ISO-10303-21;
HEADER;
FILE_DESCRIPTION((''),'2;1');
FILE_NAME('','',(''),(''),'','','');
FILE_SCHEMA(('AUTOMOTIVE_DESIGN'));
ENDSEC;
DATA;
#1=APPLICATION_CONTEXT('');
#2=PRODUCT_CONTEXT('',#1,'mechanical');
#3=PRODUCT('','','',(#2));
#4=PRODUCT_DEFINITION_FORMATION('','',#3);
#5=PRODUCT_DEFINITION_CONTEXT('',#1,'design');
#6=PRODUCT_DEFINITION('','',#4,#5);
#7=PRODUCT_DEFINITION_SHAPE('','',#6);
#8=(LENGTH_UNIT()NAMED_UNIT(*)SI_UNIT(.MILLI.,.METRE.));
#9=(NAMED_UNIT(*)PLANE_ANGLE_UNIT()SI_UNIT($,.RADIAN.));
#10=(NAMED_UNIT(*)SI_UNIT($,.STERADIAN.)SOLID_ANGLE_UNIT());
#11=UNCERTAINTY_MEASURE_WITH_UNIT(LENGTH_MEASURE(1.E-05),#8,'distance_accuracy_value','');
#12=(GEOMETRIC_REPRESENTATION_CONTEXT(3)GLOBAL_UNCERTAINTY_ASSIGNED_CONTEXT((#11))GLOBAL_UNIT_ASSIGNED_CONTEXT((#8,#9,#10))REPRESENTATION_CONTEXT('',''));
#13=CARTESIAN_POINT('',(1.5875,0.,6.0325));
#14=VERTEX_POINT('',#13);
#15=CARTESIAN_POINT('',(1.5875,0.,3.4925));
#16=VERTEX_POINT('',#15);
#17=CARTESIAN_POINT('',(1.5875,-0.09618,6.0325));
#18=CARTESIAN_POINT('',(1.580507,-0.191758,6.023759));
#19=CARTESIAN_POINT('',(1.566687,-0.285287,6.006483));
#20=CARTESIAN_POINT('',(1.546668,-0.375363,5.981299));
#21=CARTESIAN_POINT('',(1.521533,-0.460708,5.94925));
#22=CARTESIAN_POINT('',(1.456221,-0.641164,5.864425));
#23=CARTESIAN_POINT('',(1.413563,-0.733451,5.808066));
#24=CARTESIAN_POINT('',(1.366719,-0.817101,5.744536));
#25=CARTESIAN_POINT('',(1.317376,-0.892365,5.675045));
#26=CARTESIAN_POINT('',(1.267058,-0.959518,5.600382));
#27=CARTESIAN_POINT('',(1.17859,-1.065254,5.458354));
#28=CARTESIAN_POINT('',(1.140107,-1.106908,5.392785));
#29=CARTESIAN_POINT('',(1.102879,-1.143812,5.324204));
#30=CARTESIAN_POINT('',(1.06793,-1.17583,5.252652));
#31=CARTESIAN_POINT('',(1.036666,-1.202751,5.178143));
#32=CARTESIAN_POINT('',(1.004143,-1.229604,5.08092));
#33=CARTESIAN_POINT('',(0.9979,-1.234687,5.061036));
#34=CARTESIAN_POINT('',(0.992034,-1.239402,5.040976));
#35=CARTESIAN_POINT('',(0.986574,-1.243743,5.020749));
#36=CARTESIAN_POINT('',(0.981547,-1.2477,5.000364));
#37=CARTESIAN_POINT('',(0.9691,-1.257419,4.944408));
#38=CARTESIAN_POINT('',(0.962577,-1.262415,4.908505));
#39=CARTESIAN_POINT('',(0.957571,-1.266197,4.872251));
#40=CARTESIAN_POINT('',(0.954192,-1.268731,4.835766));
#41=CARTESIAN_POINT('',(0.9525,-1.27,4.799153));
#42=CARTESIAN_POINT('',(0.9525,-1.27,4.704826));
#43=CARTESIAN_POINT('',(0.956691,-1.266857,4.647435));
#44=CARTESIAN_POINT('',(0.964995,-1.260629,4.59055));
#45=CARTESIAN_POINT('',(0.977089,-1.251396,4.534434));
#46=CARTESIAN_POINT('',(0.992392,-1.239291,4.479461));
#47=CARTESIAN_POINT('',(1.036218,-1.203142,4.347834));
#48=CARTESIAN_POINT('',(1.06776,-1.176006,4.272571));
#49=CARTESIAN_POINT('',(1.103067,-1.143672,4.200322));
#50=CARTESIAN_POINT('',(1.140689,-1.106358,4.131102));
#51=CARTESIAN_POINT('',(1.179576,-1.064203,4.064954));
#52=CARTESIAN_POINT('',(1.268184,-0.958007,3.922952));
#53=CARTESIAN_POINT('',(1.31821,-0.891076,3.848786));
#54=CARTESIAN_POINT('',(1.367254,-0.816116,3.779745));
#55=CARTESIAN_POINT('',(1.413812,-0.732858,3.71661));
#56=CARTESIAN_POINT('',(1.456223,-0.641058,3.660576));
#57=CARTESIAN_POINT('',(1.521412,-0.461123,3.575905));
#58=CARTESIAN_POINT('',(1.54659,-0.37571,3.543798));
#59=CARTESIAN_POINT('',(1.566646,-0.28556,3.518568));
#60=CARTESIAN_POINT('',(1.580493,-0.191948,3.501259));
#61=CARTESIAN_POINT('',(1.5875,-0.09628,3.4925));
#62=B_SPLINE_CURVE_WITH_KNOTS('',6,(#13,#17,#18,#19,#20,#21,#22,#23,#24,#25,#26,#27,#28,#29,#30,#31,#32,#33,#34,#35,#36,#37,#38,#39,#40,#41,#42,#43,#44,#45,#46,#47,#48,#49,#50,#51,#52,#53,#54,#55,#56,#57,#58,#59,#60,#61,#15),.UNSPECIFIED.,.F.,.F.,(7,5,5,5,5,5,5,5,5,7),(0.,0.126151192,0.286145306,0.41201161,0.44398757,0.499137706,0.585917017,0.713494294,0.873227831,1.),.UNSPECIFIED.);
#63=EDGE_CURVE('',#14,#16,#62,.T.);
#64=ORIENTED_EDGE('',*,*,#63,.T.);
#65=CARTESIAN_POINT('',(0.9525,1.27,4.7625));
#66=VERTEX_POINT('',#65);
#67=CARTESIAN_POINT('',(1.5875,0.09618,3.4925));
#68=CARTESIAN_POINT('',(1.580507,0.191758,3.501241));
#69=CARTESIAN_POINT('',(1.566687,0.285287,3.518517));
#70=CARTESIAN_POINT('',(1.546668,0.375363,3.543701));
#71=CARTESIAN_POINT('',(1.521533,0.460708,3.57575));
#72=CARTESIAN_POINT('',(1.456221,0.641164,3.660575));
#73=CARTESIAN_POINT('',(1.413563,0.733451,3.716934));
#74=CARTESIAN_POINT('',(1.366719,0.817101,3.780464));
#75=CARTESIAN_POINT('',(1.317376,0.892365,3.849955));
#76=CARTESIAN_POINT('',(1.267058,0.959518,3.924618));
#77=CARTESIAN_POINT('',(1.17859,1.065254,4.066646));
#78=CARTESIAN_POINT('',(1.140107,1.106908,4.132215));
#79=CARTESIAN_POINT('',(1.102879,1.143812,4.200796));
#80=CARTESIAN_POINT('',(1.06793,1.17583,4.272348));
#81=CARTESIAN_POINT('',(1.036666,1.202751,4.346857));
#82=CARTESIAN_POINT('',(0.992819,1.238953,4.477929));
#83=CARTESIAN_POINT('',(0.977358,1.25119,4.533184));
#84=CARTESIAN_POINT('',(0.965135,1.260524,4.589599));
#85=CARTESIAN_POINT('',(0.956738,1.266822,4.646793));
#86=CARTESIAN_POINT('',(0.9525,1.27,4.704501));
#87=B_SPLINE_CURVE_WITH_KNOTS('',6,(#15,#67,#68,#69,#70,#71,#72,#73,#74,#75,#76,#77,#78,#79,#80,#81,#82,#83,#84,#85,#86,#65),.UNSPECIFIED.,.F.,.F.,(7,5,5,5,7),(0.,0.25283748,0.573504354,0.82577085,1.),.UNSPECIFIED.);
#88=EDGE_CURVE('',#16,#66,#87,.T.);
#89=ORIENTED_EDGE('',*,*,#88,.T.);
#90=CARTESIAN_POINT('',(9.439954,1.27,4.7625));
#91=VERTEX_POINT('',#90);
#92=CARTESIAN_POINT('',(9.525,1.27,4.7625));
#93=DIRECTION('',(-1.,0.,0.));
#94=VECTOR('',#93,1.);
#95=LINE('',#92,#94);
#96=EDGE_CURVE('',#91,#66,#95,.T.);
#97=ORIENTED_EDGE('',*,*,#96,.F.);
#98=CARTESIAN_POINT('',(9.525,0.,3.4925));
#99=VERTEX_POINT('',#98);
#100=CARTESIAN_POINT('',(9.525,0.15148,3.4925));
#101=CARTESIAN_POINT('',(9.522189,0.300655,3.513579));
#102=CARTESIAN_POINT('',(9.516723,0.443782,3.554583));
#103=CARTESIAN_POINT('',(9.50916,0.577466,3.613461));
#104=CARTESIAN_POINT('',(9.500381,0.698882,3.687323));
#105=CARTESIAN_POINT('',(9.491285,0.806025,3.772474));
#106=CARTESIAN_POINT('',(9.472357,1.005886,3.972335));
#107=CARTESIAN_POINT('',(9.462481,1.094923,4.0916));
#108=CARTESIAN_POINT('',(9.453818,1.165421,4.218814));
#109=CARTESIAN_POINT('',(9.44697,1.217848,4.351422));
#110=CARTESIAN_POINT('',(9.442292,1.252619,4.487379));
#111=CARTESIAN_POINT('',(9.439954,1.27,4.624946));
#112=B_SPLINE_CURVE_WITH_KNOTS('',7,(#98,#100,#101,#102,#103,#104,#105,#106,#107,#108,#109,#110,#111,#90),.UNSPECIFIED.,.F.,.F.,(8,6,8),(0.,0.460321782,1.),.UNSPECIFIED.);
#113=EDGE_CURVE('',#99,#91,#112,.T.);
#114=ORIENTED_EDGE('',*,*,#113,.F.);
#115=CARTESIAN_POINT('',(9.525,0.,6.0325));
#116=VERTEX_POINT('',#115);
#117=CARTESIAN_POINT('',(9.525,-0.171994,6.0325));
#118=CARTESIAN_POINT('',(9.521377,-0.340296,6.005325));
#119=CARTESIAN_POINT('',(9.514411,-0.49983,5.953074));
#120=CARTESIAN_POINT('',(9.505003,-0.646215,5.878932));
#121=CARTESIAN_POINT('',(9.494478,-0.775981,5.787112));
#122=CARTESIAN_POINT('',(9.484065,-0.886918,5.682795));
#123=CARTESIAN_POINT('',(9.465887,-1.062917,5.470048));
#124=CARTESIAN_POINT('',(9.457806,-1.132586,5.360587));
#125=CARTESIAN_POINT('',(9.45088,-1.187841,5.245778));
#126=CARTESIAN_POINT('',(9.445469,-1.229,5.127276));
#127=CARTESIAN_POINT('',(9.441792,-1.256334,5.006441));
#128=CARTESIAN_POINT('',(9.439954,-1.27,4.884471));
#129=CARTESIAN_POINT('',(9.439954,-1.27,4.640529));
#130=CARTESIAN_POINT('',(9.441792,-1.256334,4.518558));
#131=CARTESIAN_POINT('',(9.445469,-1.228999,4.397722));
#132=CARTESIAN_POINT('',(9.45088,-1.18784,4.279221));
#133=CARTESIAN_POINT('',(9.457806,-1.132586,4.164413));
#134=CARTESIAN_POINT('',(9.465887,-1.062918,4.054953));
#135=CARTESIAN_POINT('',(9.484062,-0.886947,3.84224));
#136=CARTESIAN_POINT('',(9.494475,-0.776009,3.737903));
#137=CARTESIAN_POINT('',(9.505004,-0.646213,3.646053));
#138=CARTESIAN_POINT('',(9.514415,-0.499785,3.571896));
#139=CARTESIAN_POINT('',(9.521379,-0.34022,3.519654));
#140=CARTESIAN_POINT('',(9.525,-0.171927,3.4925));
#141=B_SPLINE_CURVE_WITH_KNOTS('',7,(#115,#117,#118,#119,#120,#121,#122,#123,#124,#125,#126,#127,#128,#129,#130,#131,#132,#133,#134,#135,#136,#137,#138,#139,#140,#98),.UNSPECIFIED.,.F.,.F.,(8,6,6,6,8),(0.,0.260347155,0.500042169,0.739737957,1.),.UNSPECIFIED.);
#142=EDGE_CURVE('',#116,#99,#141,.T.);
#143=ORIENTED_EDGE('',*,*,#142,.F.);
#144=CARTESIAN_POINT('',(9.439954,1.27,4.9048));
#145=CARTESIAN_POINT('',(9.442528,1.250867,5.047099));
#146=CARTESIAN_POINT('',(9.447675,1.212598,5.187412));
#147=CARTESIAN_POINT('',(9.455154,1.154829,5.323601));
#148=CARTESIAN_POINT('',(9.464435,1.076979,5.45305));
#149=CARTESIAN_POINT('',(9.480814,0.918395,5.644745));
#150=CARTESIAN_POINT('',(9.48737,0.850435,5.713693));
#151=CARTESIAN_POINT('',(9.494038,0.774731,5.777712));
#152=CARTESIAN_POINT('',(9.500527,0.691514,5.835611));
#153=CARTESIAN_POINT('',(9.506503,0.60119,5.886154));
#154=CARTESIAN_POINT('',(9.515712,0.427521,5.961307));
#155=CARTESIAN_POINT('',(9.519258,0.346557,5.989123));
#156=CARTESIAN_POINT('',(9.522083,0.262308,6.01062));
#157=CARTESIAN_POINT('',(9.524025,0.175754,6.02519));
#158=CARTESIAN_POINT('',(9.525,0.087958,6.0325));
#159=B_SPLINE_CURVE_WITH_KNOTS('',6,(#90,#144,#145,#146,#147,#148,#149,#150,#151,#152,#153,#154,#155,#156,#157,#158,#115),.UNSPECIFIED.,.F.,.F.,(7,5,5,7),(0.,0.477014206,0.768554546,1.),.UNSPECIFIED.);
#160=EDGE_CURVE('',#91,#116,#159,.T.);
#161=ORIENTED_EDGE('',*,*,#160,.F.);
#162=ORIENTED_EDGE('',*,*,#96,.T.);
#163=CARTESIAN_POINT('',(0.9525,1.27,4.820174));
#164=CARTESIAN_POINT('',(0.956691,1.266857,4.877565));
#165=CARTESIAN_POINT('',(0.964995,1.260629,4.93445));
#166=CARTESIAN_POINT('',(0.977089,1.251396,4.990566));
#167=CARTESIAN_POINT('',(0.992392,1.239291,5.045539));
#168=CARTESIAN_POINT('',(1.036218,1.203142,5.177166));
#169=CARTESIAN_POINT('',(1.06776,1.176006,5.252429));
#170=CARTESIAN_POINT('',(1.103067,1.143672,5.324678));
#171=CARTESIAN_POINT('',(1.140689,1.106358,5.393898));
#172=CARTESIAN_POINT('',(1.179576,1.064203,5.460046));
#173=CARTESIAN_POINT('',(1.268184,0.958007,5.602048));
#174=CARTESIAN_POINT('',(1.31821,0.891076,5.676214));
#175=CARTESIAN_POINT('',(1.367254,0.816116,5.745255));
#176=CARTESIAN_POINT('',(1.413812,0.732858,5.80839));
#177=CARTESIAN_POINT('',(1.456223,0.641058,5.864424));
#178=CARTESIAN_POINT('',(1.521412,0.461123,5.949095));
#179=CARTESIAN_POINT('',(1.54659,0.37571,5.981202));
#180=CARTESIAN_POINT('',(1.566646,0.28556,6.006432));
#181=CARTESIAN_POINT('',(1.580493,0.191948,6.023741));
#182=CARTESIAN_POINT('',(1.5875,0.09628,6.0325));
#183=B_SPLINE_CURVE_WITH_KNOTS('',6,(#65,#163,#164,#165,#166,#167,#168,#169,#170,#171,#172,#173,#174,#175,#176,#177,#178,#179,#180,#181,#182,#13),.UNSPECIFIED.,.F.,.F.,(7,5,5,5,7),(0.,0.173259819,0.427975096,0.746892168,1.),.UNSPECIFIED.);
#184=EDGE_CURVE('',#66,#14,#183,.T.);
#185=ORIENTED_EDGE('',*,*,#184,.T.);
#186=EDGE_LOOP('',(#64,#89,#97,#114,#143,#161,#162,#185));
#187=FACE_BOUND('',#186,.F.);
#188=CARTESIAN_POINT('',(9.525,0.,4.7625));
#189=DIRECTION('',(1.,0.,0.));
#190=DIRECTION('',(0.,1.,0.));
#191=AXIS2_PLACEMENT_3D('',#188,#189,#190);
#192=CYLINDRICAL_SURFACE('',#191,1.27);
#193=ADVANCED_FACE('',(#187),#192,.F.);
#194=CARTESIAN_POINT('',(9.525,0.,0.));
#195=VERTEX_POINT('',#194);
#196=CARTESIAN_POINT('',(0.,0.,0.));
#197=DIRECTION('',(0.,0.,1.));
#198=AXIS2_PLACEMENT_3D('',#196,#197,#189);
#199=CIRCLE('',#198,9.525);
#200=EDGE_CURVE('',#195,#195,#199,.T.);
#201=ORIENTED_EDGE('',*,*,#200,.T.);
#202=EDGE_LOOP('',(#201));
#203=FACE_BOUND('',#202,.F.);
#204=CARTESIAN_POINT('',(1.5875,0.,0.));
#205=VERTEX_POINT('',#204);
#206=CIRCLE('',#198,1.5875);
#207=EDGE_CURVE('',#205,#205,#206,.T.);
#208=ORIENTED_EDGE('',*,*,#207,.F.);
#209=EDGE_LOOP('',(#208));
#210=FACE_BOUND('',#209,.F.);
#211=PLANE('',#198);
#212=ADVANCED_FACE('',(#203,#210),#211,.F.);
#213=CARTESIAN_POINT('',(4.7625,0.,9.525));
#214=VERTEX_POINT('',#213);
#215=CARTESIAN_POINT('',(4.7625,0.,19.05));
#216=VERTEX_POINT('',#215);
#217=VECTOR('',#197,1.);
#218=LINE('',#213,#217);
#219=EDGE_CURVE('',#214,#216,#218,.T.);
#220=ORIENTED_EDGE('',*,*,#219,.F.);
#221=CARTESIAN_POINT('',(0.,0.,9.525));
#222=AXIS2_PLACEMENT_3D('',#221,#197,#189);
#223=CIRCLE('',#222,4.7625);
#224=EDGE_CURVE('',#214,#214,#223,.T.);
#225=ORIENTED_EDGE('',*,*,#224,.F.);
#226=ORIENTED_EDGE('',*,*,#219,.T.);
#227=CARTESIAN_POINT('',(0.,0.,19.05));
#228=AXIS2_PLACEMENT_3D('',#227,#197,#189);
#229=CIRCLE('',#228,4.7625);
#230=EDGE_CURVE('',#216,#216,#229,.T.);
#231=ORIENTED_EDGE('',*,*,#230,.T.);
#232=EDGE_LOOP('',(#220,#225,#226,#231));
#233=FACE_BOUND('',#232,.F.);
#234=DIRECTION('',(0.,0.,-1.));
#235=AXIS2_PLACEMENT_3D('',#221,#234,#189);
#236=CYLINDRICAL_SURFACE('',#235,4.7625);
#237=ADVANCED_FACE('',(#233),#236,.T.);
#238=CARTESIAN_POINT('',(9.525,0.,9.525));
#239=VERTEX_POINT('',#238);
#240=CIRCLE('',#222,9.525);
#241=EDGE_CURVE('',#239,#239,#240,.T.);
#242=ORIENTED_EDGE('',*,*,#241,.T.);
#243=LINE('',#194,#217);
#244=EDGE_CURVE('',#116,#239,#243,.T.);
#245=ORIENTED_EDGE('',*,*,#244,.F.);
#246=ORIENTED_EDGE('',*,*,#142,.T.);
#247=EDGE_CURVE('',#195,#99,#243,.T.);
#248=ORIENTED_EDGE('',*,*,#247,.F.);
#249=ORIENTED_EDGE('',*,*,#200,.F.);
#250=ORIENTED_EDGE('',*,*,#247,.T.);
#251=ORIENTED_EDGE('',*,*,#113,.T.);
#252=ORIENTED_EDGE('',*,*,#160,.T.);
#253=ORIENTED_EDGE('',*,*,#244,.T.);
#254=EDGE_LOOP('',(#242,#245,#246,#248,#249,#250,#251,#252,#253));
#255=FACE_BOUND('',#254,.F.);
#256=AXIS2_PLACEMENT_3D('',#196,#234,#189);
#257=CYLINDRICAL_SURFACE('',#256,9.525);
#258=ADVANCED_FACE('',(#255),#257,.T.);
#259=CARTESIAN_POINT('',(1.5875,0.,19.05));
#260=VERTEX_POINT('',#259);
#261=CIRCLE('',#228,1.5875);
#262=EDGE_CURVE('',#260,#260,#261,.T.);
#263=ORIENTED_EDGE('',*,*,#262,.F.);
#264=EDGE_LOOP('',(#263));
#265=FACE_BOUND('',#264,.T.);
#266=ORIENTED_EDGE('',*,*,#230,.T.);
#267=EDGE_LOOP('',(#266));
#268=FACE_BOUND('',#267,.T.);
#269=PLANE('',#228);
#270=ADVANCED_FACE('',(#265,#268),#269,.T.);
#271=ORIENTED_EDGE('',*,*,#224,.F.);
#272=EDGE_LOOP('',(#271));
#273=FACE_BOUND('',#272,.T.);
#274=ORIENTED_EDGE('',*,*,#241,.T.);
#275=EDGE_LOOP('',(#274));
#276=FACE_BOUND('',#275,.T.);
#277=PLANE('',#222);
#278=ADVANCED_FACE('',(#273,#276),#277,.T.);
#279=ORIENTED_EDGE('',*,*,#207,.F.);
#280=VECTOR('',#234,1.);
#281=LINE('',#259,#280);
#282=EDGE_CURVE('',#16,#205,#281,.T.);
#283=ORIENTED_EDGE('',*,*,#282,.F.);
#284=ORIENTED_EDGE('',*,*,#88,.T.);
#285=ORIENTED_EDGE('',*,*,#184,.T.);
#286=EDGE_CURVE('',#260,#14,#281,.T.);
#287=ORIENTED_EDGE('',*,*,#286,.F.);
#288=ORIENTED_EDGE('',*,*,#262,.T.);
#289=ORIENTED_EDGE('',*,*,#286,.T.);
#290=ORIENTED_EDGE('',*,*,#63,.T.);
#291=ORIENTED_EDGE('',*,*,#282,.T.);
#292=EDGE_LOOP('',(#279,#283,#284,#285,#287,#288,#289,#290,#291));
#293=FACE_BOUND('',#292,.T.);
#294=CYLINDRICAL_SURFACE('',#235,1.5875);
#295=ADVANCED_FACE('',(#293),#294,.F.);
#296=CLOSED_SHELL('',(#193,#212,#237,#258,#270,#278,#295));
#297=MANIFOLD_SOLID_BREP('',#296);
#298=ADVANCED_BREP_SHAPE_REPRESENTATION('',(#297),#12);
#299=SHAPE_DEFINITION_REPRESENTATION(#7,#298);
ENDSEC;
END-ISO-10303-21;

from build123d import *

# Parameters (mm, degrees)
F0_R     = 9.525
F0_R_2   = 1.5875
F1_DEPTH = 9.525
F2_R     = 4.7625
F2_R_2   = 1.5875
F3_DEPTH = 9.525
F5_R     = 1.27
F6_DEPTH = 9.525


with BuildPart() as f1:
    # F0 (on Top) → F1 (new body)
    with BuildSketch(Plane.XY):
        Circle(F0_R)
        Circle(F0_R_2, mode=Mode.SUBTRACT)
    extrude(amount=F1_DEPTH)

    # F2 (on face) → F3 (join)
    with BuildSketch(Plane.XY.offset(9.525)):
        Circle(F2_R)
        Circle(F2_R_2, mode=Mode.SUBTRACT)
    extrude(amount=F3_DEPTH)

    # F5 (on offset) → F6 (cut)
    with BuildSketch(Plane.YZ.offset(9.525)):
        with Locations((0, 4.7625)):
            Circle(F5_R)
    extrude(amount=-F6_DEPTH, mode=Mode.SUBTRACT)


solid = f1.part
